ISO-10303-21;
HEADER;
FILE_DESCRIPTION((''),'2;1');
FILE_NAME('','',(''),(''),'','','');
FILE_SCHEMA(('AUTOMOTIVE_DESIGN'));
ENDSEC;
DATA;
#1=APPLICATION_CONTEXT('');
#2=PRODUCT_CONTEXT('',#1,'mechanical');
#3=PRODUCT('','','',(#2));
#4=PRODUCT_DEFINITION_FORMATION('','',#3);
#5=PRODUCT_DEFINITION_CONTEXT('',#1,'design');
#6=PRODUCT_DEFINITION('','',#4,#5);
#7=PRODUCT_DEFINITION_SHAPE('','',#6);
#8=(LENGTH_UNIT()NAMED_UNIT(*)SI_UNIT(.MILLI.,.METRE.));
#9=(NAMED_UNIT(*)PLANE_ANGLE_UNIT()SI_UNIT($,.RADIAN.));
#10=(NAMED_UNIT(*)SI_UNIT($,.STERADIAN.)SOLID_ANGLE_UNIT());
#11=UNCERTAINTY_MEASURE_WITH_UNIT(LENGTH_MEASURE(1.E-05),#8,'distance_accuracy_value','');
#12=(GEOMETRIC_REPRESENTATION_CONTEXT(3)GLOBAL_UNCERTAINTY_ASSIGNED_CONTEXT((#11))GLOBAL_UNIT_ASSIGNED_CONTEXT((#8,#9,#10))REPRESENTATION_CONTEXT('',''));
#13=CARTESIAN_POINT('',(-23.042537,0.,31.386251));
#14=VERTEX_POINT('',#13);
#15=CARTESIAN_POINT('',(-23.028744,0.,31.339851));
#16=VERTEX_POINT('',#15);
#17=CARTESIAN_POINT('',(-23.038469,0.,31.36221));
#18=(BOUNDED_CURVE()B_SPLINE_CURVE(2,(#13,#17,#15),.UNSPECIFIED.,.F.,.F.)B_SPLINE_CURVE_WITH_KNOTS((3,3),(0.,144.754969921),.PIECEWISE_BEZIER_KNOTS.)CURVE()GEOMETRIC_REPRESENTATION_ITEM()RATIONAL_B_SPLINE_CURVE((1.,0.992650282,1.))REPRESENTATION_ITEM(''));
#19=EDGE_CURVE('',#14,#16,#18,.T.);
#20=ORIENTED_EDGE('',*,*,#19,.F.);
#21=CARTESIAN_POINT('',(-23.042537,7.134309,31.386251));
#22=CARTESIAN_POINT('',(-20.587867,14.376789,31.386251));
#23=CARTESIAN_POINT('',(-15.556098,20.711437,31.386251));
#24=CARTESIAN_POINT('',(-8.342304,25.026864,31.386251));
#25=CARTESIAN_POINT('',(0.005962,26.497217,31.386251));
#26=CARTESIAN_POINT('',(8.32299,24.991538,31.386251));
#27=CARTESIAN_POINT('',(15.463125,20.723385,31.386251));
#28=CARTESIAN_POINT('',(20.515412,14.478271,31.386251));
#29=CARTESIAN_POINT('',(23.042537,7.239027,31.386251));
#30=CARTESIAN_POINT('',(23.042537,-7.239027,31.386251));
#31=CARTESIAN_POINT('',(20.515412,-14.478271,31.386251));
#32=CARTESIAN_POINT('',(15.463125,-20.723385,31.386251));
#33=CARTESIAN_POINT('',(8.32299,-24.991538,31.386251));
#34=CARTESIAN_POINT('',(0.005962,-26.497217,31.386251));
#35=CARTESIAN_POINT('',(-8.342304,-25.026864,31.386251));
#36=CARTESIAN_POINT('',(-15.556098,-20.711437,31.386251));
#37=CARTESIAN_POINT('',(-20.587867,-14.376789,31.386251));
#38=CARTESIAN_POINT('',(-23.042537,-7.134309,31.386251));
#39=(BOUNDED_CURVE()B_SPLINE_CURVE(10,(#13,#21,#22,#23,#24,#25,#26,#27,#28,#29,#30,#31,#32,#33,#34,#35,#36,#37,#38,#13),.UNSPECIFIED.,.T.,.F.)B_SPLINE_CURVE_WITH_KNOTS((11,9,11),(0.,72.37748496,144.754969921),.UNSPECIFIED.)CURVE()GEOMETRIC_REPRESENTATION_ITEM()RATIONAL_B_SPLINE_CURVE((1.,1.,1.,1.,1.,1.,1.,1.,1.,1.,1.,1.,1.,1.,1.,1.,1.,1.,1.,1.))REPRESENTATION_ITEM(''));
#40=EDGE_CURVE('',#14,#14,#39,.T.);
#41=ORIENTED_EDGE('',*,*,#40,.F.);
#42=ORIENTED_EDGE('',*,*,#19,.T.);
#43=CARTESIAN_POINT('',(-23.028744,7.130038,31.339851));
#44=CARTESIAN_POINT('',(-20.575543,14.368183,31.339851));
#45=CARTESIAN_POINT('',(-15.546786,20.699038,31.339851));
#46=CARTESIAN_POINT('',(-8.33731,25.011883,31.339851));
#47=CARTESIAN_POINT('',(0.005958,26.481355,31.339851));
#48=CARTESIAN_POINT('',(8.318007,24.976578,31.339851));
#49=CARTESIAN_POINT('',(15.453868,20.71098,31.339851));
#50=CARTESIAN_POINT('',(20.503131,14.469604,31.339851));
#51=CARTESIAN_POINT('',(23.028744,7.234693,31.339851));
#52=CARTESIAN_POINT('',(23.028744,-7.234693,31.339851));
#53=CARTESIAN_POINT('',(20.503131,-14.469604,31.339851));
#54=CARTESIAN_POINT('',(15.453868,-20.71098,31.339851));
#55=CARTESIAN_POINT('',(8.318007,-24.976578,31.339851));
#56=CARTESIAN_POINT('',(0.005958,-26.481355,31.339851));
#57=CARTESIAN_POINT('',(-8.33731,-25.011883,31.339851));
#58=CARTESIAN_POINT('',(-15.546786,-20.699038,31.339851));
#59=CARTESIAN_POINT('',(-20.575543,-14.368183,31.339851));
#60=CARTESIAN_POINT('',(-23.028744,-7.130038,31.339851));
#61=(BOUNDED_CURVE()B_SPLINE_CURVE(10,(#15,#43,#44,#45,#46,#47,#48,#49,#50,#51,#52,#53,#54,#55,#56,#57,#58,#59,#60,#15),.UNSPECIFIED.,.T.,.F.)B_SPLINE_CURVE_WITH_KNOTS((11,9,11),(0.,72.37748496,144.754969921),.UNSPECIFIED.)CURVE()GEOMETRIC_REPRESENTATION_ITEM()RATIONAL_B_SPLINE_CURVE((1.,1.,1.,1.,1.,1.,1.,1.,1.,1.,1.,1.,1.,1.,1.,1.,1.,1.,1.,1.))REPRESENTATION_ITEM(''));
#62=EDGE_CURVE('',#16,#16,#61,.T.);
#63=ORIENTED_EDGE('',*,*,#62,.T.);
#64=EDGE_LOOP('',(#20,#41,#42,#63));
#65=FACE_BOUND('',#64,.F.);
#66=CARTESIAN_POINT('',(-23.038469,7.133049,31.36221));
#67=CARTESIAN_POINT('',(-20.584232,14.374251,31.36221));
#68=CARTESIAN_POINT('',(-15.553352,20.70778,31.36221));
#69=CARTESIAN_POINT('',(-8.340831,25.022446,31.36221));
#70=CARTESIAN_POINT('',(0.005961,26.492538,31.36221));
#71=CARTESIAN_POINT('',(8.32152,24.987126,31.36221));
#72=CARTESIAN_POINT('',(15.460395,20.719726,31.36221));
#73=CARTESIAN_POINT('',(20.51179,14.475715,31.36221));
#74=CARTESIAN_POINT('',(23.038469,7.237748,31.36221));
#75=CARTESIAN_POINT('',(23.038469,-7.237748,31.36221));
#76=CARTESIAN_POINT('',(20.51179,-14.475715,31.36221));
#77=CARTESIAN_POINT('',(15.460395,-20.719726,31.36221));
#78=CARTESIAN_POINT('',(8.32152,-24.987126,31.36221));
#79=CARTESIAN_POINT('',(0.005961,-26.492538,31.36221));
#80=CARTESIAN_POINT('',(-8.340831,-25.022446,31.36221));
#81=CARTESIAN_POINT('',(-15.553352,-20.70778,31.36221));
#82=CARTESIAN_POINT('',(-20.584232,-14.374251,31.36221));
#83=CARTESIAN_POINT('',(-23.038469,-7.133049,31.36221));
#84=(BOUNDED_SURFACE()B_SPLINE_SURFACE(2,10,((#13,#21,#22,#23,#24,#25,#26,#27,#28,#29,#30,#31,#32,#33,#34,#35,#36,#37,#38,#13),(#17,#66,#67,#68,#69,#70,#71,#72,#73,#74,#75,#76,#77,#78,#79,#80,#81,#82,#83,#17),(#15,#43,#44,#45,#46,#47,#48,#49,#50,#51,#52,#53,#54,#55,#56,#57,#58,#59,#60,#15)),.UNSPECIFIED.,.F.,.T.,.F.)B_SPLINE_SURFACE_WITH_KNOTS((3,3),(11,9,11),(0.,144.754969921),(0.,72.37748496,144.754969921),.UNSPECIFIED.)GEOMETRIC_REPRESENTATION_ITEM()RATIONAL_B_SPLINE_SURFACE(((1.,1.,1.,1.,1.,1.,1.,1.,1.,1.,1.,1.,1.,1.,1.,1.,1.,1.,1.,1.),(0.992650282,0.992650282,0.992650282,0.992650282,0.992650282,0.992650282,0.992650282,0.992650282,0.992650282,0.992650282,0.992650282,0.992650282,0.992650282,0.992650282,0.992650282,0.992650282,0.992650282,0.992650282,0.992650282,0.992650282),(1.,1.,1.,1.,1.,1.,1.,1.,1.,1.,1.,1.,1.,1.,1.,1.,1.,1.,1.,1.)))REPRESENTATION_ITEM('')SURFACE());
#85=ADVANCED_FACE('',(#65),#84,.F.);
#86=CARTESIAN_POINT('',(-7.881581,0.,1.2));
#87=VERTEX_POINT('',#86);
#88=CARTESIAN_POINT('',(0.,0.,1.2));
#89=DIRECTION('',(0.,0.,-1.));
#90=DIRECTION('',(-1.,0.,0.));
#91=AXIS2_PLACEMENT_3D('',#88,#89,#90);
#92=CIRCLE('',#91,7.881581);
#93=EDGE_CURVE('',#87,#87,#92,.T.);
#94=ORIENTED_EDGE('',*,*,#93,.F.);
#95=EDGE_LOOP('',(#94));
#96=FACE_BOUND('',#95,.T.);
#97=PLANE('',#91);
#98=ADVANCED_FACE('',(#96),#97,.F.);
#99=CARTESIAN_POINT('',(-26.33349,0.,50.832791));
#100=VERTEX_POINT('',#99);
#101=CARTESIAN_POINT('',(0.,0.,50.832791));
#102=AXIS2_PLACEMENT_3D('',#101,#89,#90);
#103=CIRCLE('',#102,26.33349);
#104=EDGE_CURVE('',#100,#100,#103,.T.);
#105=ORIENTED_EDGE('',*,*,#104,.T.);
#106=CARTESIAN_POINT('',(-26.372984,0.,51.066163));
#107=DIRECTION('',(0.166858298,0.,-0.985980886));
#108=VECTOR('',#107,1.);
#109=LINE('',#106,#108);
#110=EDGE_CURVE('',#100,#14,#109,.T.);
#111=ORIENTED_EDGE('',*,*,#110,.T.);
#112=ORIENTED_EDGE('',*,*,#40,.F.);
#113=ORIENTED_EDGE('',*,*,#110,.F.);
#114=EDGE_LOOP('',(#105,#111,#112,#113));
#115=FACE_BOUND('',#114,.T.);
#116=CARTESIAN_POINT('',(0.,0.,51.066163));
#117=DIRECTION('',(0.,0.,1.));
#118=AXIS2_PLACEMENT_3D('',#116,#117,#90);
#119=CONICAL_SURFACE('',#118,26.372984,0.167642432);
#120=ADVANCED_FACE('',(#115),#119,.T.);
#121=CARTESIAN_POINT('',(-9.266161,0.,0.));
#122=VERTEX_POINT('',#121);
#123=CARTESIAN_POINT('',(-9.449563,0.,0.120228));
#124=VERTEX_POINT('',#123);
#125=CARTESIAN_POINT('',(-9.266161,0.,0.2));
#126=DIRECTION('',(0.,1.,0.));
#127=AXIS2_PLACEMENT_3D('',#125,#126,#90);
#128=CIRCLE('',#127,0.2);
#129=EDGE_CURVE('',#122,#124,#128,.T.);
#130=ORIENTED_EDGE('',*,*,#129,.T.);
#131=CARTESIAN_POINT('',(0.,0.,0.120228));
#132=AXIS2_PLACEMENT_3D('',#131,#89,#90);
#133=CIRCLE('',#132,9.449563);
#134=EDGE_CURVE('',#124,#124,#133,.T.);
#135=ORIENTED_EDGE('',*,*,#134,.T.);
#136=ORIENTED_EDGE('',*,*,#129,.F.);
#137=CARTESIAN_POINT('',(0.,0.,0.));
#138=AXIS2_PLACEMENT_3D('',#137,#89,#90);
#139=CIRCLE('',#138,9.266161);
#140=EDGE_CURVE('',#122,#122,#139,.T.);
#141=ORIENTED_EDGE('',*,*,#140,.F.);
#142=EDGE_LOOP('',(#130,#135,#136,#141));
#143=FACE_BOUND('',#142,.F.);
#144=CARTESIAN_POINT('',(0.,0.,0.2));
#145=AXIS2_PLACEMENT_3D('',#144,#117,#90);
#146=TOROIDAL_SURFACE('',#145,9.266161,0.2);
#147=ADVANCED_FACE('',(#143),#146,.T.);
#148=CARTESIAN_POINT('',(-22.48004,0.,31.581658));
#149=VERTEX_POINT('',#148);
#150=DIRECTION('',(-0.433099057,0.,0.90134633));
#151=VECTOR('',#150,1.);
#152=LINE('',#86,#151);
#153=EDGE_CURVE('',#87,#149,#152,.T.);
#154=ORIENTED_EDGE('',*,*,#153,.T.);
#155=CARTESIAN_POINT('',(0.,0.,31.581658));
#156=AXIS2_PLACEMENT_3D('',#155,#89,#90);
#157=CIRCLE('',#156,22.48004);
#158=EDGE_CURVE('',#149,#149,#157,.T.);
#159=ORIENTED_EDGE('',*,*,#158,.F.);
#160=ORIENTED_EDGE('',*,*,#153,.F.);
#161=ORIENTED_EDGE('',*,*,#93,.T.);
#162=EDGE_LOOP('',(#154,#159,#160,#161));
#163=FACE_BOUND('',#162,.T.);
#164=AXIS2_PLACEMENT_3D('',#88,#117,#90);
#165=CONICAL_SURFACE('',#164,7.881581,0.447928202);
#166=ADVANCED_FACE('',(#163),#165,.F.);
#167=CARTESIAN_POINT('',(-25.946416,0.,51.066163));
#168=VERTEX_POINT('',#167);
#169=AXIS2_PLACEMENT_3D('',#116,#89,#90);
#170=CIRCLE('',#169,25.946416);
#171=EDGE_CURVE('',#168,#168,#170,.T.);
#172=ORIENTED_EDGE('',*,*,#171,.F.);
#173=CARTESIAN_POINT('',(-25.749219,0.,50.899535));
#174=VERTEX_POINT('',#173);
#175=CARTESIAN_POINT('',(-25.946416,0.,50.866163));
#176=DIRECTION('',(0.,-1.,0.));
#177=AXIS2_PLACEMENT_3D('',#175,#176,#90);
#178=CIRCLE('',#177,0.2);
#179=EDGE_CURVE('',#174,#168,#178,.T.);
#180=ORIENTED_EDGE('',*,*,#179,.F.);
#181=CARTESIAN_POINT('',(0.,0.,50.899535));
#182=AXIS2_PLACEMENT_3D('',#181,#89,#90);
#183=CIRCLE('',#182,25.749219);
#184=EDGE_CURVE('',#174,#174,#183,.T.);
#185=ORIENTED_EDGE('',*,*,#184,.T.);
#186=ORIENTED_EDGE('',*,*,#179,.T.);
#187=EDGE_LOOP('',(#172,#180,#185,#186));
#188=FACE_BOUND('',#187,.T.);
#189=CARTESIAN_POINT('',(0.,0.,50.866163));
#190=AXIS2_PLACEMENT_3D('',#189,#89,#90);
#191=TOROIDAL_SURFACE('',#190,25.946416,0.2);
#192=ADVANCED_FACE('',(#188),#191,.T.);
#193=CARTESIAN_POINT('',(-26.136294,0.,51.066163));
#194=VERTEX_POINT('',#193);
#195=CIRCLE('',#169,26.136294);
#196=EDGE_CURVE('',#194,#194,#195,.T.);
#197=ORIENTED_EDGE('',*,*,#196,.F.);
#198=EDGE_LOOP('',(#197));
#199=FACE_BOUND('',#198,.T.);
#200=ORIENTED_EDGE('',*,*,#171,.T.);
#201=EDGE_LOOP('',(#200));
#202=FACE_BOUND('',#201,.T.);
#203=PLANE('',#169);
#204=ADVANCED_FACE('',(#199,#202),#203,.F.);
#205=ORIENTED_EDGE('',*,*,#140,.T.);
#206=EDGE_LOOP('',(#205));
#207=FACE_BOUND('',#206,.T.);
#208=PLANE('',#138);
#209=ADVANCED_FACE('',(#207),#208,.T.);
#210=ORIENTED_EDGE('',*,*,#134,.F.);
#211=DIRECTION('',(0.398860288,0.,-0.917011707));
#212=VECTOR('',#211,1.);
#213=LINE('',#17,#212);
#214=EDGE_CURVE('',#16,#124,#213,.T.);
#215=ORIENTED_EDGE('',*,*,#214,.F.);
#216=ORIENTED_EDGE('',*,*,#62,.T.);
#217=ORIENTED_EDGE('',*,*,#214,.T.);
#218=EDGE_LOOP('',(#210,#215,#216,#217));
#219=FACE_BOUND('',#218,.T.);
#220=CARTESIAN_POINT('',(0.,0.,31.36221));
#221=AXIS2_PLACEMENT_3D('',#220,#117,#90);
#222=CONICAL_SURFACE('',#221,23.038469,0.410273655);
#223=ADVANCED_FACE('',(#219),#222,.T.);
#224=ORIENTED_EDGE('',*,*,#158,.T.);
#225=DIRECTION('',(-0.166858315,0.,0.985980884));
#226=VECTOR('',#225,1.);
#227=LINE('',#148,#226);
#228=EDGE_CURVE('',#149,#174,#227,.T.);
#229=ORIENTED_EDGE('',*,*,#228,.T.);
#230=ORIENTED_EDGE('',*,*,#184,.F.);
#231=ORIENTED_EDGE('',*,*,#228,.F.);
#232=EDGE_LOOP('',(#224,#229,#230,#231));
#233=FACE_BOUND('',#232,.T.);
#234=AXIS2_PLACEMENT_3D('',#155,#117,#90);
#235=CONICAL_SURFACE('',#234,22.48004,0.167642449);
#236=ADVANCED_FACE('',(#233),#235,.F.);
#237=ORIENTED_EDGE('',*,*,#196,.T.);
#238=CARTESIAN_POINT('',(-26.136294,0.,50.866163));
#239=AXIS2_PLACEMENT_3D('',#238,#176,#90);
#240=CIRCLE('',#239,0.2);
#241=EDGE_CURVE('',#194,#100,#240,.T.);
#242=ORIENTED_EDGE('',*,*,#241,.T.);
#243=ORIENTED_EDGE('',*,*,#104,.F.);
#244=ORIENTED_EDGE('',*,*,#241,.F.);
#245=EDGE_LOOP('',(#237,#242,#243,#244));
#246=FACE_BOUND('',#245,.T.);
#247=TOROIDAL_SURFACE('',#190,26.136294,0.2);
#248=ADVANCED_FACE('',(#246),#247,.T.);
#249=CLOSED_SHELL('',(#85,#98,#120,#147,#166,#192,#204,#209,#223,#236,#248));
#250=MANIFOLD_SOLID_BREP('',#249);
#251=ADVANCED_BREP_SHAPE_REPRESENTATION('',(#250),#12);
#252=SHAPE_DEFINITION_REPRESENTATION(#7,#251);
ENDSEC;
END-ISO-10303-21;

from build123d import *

# Parameters (mm, degrees)
F2_R = 0.2


with BuildPart() as f1:
    # F0 (on Front) → F1 (revolve)
    with BuildSketch(Plane.XZ):
        Polygon((-9.397269, 0), (0, 0), (0, 1.2), (-7.881581, 1.2), (-22.48004, 31.581658), (-25.777418, 51.066163), (-26.372984, 51.066163), (-23.038469, 31.36221), align=None)
    revolve(axis=Axis((0, 0, 0.6), (0, 0, -1)))

    # F2
    f2_edges = [f1.edges().sort_by_distance(p)[0] for p in [
        (23.038469, 0, 31.36221),
        (26.372984, 0, 51.066163),
        (9.397269, 0, 0),
        (25.777418, 0, 51.066163),
    ]]
    fillet(f2_edges, radius=F2_R)


solid = f1.part
